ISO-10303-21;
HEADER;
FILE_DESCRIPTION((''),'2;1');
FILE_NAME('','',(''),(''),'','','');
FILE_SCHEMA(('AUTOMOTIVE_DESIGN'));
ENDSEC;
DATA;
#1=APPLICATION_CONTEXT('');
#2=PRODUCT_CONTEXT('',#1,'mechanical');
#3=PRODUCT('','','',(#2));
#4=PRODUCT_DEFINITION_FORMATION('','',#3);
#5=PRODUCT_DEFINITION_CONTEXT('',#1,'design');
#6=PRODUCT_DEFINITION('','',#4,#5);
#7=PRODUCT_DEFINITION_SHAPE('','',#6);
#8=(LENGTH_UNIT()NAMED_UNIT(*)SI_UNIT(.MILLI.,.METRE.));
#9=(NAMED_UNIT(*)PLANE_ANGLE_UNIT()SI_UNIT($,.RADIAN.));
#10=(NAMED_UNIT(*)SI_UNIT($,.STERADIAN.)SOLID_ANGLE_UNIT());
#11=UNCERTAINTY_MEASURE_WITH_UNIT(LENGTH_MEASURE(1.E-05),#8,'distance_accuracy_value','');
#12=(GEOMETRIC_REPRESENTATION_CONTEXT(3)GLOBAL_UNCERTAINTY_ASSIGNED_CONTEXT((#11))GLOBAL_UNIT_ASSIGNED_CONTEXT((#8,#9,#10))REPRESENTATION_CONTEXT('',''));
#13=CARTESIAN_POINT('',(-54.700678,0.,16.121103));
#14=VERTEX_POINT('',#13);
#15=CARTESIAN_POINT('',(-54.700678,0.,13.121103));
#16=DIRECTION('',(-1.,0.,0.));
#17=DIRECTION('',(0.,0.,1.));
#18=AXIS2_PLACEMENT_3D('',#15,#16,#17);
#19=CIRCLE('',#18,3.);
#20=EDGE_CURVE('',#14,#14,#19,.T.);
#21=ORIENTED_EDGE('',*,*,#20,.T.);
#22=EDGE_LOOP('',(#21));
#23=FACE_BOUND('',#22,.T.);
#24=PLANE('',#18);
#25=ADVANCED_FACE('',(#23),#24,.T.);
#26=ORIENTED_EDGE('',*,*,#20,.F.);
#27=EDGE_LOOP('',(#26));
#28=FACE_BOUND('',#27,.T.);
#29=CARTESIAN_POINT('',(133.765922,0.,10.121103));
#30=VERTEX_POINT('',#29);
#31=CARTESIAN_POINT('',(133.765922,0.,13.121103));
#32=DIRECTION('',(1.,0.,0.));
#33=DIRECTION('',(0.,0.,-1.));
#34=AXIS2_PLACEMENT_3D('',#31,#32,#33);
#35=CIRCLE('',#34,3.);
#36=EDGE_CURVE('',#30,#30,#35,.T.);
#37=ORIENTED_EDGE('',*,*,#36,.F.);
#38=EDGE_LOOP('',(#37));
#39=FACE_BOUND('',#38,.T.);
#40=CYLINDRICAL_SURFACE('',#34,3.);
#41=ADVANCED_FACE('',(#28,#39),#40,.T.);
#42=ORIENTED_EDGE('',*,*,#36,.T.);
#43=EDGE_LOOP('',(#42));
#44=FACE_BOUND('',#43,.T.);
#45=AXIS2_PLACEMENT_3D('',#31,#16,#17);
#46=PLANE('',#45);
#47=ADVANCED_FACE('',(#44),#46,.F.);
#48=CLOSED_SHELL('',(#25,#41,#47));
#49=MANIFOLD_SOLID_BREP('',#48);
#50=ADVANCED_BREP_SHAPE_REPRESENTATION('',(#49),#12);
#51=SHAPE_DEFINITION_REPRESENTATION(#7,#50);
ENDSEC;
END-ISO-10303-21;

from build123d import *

# Parameters (mm, degrees)
SKETCH1_W           = 175.4666
SKETCH1_H           = 3
SKETCH3_R           = 3
BOSS_EXTRUDE1_DEPTH = 10
SKETCH7_R           = 3
BOSS_EXTRUDE5_DEPTH = 3


with BuildPart() as part:
    # Sketch1 → Revolve2 (revolve)
    with BuildSketch(Plane(origin=(0, 0, 0), x_dir=(1, 0, 0), z_dir=(0, 1, 0)), mode=Mode.PRIVATE) as revolve2_sk:
        with Locations((46.032622124, -14.621103214)):
            Rectangle(SKETCH1_W, SKETCH1_H)
    revolve(revolve2_sk.sketch.rotate(Axis((133.765922124, 0, 13.121103214), (-1, 0, 0)), 180), axis=Axis((133.765922124, 0, 13.121103214), (-1, 0, 0)))

    # Sketch3 → Boss-Extrude1 (add)
    with BuildSketch(Plane.ZY.offset(41.700677876)):
        with Locations(Location((13.121103214, 0, 0), (0, 0, 180))):
            Circle(SKETCH3_R)
    extrude(amount=BOSS_EXTRUDE1_DEPTH)

    # Sketch7 → Boss-Extrude5 (add)
    with BuildSketch(Plane.ZY.offset(51.700677876)):
        with Locations(Location((13.121103214, 0, 0), (0, 0, 180))):
            Circle(SKETCH7_R)
    extrude(amount=BOSS_EXTRUDE5_DEPTH)


solid = part.part
